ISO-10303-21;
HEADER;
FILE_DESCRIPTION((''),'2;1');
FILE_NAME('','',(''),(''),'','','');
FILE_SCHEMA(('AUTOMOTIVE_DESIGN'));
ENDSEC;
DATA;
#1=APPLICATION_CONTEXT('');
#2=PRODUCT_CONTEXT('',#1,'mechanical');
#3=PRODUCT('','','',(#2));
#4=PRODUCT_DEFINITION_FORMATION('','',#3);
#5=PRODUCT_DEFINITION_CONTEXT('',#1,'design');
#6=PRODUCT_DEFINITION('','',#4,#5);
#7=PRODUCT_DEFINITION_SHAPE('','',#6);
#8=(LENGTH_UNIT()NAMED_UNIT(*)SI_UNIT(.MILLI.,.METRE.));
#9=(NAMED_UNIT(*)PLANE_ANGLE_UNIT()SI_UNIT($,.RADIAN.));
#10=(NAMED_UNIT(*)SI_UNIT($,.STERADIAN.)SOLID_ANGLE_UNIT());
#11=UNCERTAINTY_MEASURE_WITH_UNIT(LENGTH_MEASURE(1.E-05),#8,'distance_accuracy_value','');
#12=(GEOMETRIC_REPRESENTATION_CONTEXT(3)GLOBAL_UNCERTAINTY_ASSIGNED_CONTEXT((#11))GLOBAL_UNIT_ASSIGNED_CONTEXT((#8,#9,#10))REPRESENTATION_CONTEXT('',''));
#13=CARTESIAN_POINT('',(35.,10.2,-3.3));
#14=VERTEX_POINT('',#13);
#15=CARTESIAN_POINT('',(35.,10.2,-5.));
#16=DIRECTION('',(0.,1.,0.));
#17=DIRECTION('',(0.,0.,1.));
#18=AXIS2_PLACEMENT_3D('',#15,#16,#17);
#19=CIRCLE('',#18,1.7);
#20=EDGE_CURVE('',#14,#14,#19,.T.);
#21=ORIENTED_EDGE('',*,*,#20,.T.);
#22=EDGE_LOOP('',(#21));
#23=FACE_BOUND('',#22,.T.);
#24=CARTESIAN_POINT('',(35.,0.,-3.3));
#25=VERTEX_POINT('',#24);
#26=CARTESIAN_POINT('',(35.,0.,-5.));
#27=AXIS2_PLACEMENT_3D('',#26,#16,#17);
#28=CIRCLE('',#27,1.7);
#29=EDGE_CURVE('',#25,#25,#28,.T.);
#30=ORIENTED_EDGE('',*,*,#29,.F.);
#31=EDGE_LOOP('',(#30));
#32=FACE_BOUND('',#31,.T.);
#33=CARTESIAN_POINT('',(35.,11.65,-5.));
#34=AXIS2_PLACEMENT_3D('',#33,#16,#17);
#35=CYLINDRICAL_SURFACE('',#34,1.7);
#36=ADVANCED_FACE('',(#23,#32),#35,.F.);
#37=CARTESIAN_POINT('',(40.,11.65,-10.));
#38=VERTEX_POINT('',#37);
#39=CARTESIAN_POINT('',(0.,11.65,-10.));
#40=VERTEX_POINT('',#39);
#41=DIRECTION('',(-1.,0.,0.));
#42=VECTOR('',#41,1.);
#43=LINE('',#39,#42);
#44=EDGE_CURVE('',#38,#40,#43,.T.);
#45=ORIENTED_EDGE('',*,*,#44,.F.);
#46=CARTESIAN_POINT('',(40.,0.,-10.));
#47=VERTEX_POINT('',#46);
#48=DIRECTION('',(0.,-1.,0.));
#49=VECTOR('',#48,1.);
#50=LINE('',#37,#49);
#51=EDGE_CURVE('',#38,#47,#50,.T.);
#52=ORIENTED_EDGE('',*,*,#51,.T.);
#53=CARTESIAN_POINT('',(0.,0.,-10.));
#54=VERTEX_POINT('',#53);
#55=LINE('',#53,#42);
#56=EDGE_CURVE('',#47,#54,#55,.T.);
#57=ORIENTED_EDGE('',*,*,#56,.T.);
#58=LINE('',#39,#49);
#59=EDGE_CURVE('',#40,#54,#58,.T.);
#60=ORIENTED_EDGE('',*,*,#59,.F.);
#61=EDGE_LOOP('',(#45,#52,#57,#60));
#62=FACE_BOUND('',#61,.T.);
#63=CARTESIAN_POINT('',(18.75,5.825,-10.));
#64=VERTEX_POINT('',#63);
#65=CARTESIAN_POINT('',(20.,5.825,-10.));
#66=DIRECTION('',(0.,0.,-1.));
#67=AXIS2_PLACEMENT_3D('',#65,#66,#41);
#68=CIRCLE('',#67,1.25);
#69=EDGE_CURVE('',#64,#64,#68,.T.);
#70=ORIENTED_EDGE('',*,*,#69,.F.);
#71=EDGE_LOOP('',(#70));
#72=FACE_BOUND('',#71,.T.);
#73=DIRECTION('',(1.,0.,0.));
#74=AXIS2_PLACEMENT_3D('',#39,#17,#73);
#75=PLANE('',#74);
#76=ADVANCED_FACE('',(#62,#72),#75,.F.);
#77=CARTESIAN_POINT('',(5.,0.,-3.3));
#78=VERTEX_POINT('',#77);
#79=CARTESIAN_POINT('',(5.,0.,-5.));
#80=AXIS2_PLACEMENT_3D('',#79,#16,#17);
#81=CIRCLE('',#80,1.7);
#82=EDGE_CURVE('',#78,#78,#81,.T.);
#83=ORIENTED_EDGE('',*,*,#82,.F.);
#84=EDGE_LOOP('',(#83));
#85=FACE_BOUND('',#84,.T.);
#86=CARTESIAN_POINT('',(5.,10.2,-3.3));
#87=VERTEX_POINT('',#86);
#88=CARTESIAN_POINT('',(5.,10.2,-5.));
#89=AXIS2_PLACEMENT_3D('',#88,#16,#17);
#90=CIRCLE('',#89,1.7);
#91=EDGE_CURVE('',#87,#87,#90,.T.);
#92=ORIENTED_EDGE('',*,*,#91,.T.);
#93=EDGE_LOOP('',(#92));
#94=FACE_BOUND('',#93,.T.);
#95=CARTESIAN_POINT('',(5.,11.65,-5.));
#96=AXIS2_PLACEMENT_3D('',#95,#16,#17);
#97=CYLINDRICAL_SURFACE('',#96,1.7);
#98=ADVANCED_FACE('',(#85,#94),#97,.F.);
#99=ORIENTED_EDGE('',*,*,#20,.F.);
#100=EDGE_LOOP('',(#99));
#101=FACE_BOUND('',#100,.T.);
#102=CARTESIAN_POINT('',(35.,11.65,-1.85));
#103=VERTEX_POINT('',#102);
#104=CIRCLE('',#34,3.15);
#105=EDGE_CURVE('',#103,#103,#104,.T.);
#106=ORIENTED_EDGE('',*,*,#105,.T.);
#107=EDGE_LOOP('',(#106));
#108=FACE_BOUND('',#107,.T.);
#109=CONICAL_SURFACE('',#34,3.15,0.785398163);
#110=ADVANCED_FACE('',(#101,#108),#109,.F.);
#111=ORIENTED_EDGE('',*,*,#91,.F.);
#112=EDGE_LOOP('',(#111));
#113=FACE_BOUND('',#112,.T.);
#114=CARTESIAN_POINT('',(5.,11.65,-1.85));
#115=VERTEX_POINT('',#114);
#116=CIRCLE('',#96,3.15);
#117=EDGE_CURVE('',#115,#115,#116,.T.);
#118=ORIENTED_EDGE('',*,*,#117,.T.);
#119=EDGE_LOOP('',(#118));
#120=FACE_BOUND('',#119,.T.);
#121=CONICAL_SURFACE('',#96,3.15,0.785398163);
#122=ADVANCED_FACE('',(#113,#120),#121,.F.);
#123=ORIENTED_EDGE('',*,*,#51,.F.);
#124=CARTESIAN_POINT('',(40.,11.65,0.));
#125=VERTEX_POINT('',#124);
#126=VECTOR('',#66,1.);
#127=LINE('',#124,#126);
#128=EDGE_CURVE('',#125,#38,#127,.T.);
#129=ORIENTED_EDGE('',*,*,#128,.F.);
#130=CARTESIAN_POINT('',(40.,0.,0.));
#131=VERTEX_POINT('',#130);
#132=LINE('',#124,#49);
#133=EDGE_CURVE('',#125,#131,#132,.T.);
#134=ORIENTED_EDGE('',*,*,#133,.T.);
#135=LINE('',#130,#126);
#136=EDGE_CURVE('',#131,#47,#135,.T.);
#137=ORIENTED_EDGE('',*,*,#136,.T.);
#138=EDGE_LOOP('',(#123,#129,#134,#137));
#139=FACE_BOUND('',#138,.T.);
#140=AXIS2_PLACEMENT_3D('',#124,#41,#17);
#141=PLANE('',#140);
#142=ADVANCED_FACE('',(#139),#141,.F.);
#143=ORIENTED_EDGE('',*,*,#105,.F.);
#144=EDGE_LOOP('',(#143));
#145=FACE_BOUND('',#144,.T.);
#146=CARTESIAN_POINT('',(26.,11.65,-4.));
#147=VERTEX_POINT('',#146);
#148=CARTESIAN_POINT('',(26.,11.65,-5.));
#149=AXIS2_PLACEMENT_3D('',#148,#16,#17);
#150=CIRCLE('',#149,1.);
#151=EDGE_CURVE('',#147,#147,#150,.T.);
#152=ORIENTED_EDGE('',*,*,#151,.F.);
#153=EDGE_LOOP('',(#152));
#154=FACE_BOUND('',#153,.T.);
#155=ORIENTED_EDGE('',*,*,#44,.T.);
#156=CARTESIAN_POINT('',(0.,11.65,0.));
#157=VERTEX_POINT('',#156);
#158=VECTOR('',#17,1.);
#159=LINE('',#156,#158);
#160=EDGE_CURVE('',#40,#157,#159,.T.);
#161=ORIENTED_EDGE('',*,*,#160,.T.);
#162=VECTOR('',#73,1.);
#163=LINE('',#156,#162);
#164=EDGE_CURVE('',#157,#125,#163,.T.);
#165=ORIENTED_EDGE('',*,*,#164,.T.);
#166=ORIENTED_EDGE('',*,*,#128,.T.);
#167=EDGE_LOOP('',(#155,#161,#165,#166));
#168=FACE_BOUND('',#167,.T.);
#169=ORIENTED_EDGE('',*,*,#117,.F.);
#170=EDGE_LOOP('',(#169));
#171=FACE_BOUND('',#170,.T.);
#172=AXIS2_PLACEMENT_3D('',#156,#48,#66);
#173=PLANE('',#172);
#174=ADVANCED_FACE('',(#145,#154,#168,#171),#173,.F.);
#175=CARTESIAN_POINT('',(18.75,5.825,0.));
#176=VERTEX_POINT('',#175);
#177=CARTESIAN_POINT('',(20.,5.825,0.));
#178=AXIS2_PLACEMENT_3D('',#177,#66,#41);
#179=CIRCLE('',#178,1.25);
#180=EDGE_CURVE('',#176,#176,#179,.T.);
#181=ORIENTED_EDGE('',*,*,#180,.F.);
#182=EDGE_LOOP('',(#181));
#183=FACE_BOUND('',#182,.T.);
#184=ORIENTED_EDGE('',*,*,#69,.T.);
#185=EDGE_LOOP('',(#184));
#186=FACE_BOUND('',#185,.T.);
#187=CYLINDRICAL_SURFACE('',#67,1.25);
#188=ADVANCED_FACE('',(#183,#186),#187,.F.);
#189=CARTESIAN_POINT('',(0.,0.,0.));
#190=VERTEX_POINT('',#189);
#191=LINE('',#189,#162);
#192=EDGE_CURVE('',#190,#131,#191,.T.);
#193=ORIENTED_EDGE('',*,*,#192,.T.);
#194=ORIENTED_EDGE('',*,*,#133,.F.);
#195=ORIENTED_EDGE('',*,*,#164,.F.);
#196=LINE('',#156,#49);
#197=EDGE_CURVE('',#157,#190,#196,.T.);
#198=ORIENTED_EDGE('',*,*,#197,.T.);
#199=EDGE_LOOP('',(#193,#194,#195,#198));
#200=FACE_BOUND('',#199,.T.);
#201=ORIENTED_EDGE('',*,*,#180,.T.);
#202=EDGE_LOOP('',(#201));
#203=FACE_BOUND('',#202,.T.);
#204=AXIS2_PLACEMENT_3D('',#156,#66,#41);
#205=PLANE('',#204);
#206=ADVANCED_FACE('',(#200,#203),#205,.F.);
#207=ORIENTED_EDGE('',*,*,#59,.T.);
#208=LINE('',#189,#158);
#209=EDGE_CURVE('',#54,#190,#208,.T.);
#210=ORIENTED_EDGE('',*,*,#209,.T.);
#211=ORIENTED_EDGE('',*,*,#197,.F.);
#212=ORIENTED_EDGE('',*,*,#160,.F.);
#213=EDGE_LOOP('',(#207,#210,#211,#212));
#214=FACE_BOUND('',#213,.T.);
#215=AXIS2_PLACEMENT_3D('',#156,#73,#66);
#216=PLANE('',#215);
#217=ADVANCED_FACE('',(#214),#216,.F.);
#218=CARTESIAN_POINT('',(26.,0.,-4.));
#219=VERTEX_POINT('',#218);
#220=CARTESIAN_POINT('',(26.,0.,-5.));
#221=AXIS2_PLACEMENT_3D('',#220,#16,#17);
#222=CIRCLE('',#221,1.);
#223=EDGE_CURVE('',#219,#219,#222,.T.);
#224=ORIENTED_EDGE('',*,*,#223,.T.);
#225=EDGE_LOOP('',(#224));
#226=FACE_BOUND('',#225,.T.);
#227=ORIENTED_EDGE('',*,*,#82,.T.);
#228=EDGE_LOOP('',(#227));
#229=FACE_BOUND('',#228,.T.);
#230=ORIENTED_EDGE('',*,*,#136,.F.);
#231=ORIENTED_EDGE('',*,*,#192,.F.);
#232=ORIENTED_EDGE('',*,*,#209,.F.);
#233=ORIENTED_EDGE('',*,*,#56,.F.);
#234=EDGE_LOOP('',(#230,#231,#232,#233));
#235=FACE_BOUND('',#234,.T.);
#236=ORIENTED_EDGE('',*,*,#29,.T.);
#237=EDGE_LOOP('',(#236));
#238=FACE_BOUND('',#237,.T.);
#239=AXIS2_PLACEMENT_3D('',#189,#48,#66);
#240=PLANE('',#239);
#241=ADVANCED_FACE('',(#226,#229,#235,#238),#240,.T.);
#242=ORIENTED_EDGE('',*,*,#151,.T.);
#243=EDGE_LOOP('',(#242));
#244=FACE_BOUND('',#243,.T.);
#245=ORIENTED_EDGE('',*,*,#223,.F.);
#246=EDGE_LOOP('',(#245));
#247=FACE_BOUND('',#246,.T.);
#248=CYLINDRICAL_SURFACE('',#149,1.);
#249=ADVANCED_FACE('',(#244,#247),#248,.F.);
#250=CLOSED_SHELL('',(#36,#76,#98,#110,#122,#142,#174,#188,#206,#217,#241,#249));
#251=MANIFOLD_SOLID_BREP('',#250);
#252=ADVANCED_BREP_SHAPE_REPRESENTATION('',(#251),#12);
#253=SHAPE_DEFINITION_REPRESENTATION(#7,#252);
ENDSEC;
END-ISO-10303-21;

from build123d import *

# Parameters (mm, degrees)
SKETCH1_W                                       = 40
SKETCH1_H                                       = 10
BOSS_EXTRUDE1_DEPTH                             = 11.65
CSK_FOR_M3_FLAT_HEAD_MACHINE_SCREW1_D           = 3.4
CSK_FOR_M3_FLAT_HEAD_MACHINE_SCREW1_CSINK_D     = 6.3
CSK_FOR_M3_FLAT_HEAD_MACHINE_SCREW1_CSINK_ANGLE = 90
M3X0_5_TAPPED_HOLE1_D                           = 2.5
F_2_0MM_DOWEL_HOLE1_D                           = 2


with BuildPart() as part:
    # Sketch1 → Boss-Extrude1 (new body)
    with BuildSketch(Plane(origin=(0, 0, 0), x_dir=(1, 0, 0), z_dir=(0, 1, 0))):
        with Locations((20, 5)):
            Rectangle(SKETCH1_W, SKETCH1_H)
    extrude(amount=BOSS_EXTRUDE1_DEPTH)

    # CSK for M3 Flat Head Machine Screw1 (through all)
    with Locations(Plane(origin=(5, 11.65, -5), x_dir=(0, 0, 1), z_dir=(0, 1, 0))):
        with Locations((0, 0), (0, 30)):
            CounterSinkHole(CSK_FOR_M3_FLAT_HEAD_MACHINE_SCREW1_D / 2, CSK_FOR_M3_FLAT_HEAD_MACHINE_SCREW1_CSINK_D / 2, counter_sink_angle=CSK_FOR_M3_FLAT_HEAD_MACHINE_SCREW1_CSINK_ANGLE)

    # M3x0.5 Tapped Hole1 (through all)
    with Locations(Plane(origin=(20, 5.825, -10), x_dir=(-1, 0, 0), z_dir=(0, 0, -1))):
        with Locations((0, 0)):
            Hole(M3X0_5_TAPPED_HOLE1_D / 2)

    # Ø2.0mm Dowel Hole1 (through all)
    with Locations(Plane(origin=(26, 11.65, -5), x_dir=(0, 0, 1), z_dir=(0, 1, 0))):
        with Locations((0, 0)):
            Hole(F_2_0MM_DOWEL_HOLE1_D / 2)


solid = part.part
